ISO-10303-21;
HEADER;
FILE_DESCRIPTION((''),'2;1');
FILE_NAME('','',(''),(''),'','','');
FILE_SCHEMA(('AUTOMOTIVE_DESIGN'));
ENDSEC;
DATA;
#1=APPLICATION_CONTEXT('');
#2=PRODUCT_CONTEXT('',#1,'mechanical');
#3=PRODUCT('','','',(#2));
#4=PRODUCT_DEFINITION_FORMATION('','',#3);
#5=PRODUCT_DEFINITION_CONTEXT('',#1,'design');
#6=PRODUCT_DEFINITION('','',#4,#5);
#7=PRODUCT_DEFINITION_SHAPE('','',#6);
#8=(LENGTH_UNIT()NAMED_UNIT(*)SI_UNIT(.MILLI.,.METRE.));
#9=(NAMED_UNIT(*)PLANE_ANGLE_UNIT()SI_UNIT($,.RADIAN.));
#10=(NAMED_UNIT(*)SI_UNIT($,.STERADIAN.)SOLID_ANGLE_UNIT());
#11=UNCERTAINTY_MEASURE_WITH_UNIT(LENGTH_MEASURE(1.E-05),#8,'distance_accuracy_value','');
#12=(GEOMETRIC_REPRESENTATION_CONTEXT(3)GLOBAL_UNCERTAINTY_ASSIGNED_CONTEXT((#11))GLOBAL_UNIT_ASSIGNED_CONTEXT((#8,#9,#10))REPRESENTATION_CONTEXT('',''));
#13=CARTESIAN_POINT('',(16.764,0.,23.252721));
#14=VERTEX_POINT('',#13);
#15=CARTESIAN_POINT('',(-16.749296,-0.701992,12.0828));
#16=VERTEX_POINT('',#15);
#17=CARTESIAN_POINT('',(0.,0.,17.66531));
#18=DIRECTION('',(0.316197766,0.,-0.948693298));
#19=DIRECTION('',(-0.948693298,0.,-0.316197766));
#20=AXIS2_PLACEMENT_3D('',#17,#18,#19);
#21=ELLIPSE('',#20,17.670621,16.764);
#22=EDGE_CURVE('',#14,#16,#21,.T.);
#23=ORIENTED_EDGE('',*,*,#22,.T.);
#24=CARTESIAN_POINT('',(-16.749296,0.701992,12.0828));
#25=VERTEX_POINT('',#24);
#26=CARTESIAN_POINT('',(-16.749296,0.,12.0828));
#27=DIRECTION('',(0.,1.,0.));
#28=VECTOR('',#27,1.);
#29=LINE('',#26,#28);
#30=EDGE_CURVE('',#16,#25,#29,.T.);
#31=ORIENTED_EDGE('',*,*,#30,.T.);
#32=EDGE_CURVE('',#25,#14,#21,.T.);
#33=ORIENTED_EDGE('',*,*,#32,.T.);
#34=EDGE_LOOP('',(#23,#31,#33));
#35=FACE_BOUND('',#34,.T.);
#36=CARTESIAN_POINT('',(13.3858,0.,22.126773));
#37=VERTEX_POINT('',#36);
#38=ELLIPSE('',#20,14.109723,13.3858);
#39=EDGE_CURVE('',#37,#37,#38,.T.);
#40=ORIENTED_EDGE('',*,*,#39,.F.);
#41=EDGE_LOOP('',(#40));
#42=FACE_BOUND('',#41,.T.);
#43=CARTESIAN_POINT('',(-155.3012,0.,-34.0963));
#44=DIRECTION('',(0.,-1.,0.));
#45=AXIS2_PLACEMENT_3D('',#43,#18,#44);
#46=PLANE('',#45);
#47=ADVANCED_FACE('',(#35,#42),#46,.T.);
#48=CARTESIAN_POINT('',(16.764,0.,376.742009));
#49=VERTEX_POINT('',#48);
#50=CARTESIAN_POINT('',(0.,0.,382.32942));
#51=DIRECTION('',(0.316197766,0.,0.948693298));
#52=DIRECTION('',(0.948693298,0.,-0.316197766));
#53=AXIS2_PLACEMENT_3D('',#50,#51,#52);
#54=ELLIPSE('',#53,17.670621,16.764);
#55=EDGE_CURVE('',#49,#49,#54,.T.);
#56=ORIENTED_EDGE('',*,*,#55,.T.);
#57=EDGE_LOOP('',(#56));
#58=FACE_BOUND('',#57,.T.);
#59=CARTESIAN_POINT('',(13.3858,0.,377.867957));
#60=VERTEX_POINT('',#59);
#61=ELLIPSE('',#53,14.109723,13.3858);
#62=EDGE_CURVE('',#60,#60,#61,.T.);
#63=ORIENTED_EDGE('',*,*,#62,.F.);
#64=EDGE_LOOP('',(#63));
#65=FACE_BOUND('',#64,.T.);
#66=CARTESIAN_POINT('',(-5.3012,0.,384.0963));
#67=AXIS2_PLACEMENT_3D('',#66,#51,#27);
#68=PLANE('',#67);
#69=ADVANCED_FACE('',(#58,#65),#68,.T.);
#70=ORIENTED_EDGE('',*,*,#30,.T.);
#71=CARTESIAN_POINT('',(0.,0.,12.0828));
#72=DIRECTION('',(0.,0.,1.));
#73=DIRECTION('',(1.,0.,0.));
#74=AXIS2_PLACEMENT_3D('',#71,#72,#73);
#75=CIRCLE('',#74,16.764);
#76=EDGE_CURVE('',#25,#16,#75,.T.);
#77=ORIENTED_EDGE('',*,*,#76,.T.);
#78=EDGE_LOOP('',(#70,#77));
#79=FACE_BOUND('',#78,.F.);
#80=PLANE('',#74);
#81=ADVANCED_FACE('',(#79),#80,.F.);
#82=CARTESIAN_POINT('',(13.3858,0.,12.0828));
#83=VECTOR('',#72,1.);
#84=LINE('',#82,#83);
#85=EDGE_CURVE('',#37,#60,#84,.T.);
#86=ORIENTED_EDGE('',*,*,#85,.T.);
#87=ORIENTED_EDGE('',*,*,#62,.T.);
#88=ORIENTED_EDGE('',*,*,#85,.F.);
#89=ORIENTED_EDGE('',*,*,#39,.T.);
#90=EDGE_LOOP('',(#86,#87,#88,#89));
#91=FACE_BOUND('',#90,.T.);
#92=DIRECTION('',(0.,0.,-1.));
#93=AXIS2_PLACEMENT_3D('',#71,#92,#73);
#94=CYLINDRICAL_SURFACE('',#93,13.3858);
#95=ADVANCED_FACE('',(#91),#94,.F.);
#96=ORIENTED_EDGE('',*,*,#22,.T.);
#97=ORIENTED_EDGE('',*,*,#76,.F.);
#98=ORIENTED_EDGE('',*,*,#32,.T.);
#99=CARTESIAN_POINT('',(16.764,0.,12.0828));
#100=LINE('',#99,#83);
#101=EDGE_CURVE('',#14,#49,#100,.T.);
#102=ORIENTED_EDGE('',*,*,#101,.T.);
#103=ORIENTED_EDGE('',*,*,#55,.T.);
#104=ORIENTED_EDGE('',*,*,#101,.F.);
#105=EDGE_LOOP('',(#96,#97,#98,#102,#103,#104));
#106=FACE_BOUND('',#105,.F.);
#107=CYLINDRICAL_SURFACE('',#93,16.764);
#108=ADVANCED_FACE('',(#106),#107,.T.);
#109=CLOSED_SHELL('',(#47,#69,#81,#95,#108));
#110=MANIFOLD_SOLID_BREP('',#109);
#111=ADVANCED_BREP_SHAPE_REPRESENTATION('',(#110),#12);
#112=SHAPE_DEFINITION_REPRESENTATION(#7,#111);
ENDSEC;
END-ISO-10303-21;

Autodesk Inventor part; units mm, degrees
ref_plane "Start plane" through (0, 0, 12.0828) normal (0, 0, 1) x (1, 0, 0)
ref_plane "End plane" through (0, 0, 387.9172) normal (0, 0, 1) x (1, 0, 0)
sketch "Sketch" plane through (0, 0, 0) normal (0, 0, 1) x (1, 0, 0)
  circle A0 centre (0, 0) radius 13.3858
  circle A1 centre (0, 0) radius 16.764
  dimension "d0" = 33.528
  dimension "d1" = 3.3782
extrude "Body" add sketch "Sketch" along normal up to surface (375.8344 mm away) from surface at 12.0828
sketch "Sketch3" plane through (0, 0, 0) normal (0, 0, 1) x (1, 0, 0)
  line L0 (0, 0) -> (10, 0)
ref_plane "Work Plane3" through (0, 0, 0) normal (0, -1, 0) x (1, 0, 0)
ref_plane "Work Plane4" through (-155.3012, 0, -34.0963) normal (0.3162, 0, -0.9487) x (-0.9487, 0, -0.3162)
split "Split1" plane through (-155.3012, 0, -34.0963) removes the side toward (0.3162, 0, -0.9487)
ref_plane "Work Plane5" through (-5.3012, 0, 384.0963) normal (0.3162, 0, 0.9487) x (0.9487, 0, -0.3162)
split "Split2" plane through (-5.3012, 0, 384.0963) removes the side toward (0.3162, 0, 0.9487)
sketch "Sketch4" plane through (0, 0, 0) normal (0, -1, 0) x (1, 0, 0)
  line L0 (-2, 12.0828) -> (12, 12.0828) projected
  line L1 (-2, 387.9172) -> (12, 387.9172) projected
  dimension "d7" = 375.8344
equation "\"d0\" = G_H"
equation "\"d1\" = G_T"
equation "\"d2\" = G_L"
equation "\"G_H\" = 33.528"
equation "\"G_T\" = 3.3782"
equation "\"G_L\" = d7"
equation "\"G_OFFSET_START\" = -12.08281"
equation "\"G_OFFSET_END\" = -12.08281"
equation "\"d4\" = -G_OFFSET_START"
equation "\"d5\" = G_OFFSET_END + B_L"
equation "\"B_L\" = 400"
properties part number "ANSI - 1 x 0.133 - 14.797" material "Steel, Mild"
